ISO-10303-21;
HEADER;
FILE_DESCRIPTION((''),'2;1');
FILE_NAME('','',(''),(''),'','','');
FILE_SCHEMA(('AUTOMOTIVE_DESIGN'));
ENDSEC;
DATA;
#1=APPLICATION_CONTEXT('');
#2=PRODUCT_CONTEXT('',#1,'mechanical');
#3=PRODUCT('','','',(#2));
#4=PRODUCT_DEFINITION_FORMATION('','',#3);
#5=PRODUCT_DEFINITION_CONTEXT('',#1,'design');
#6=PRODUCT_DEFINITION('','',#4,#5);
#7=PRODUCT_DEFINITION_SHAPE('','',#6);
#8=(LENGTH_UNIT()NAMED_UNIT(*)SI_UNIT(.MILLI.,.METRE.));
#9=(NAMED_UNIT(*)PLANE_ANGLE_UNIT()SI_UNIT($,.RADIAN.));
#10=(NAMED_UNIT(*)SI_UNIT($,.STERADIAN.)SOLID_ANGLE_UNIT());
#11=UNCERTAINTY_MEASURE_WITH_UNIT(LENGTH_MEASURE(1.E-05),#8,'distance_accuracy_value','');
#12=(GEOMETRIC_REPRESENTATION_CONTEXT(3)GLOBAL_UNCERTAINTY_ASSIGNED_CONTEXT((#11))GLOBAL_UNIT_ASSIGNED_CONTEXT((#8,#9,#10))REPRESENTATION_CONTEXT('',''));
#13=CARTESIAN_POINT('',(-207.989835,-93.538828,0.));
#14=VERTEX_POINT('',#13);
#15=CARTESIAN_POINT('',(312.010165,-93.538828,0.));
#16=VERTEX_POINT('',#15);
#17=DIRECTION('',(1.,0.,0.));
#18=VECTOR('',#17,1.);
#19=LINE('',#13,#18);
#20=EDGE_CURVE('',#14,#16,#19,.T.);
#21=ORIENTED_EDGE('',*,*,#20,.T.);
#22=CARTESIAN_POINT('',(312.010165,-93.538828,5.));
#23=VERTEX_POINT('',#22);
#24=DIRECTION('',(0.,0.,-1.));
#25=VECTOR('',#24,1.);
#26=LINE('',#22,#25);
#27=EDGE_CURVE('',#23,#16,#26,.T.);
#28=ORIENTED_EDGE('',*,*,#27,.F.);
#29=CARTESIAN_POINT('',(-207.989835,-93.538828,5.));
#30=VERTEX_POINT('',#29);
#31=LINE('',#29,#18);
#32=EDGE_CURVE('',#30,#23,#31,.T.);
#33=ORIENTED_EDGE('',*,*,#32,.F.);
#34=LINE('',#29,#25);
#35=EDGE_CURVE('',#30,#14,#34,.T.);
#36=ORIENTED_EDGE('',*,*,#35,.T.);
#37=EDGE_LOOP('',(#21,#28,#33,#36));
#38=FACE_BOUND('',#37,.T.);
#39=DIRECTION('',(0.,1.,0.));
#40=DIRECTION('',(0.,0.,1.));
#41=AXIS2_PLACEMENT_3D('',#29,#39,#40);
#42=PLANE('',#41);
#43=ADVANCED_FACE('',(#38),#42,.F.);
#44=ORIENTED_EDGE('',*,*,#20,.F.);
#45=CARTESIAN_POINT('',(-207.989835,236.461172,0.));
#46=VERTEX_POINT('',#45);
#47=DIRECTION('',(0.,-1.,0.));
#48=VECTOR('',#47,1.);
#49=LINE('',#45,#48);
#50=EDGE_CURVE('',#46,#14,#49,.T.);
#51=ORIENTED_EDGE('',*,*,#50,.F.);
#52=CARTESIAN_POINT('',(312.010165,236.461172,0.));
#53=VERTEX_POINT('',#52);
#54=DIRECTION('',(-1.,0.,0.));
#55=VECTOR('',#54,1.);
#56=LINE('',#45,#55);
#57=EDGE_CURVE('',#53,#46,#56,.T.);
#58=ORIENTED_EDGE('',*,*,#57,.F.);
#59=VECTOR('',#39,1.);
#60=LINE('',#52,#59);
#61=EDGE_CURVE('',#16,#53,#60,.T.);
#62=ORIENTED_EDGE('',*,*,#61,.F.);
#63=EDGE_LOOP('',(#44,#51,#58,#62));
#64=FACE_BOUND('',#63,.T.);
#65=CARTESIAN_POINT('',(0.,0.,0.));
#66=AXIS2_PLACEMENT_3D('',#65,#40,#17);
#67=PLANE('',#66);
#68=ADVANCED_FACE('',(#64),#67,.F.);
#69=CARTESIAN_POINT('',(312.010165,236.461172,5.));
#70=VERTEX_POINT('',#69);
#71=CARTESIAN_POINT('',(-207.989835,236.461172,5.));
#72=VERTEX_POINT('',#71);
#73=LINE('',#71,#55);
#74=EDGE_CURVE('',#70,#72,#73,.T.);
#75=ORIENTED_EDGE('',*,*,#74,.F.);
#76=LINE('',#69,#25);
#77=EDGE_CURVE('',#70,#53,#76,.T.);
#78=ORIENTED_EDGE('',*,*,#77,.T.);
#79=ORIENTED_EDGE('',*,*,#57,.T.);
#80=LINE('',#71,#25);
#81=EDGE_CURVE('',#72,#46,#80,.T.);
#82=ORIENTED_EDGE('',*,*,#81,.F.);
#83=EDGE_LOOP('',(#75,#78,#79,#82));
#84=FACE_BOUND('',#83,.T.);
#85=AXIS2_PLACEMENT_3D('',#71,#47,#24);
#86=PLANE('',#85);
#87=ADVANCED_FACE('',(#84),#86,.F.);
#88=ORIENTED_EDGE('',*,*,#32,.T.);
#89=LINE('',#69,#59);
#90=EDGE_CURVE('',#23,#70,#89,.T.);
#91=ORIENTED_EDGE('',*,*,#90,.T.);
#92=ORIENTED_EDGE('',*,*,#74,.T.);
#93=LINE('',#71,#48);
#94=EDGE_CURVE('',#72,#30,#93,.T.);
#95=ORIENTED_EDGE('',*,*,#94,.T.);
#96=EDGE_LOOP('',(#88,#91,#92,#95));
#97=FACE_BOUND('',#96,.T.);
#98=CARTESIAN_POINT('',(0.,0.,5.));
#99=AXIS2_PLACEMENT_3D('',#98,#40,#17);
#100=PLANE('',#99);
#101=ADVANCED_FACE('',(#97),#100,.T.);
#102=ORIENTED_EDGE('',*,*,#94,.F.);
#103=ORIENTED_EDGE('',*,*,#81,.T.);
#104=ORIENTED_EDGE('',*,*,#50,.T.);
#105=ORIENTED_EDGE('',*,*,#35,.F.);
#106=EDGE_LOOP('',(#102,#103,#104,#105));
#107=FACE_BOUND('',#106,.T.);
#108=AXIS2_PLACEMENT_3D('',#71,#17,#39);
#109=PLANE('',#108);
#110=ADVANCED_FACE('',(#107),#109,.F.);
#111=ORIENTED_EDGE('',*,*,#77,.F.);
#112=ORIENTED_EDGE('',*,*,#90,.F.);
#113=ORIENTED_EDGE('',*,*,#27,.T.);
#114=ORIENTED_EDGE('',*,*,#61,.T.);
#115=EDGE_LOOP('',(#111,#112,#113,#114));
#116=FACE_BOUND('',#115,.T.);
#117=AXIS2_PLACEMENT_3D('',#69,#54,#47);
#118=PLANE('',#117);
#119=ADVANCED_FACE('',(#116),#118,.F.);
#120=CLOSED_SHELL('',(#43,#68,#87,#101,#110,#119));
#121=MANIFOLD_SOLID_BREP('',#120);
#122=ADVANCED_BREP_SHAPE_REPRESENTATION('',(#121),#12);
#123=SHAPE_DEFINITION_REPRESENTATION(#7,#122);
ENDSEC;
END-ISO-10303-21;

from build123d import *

# Parameters (mm, degrees)
ESQUISSE1_W        = 520
ESQUISSE1_H        = 330
BOSS_EXTRU_1_DEPTH = 5


with BuildPart() as part:
    # Esquisse1 → Boss.-Extru.1 (new body)
    with BuildSketch(Plane.XY):
        with Locations((52.010164835, 71.461172161)):
            Rectangle(ESQUISSE1_W, ESQUISSE1_H)
    extrude(amount=BOSS_EXTRU_1_DEPTH)


solid = part.part
